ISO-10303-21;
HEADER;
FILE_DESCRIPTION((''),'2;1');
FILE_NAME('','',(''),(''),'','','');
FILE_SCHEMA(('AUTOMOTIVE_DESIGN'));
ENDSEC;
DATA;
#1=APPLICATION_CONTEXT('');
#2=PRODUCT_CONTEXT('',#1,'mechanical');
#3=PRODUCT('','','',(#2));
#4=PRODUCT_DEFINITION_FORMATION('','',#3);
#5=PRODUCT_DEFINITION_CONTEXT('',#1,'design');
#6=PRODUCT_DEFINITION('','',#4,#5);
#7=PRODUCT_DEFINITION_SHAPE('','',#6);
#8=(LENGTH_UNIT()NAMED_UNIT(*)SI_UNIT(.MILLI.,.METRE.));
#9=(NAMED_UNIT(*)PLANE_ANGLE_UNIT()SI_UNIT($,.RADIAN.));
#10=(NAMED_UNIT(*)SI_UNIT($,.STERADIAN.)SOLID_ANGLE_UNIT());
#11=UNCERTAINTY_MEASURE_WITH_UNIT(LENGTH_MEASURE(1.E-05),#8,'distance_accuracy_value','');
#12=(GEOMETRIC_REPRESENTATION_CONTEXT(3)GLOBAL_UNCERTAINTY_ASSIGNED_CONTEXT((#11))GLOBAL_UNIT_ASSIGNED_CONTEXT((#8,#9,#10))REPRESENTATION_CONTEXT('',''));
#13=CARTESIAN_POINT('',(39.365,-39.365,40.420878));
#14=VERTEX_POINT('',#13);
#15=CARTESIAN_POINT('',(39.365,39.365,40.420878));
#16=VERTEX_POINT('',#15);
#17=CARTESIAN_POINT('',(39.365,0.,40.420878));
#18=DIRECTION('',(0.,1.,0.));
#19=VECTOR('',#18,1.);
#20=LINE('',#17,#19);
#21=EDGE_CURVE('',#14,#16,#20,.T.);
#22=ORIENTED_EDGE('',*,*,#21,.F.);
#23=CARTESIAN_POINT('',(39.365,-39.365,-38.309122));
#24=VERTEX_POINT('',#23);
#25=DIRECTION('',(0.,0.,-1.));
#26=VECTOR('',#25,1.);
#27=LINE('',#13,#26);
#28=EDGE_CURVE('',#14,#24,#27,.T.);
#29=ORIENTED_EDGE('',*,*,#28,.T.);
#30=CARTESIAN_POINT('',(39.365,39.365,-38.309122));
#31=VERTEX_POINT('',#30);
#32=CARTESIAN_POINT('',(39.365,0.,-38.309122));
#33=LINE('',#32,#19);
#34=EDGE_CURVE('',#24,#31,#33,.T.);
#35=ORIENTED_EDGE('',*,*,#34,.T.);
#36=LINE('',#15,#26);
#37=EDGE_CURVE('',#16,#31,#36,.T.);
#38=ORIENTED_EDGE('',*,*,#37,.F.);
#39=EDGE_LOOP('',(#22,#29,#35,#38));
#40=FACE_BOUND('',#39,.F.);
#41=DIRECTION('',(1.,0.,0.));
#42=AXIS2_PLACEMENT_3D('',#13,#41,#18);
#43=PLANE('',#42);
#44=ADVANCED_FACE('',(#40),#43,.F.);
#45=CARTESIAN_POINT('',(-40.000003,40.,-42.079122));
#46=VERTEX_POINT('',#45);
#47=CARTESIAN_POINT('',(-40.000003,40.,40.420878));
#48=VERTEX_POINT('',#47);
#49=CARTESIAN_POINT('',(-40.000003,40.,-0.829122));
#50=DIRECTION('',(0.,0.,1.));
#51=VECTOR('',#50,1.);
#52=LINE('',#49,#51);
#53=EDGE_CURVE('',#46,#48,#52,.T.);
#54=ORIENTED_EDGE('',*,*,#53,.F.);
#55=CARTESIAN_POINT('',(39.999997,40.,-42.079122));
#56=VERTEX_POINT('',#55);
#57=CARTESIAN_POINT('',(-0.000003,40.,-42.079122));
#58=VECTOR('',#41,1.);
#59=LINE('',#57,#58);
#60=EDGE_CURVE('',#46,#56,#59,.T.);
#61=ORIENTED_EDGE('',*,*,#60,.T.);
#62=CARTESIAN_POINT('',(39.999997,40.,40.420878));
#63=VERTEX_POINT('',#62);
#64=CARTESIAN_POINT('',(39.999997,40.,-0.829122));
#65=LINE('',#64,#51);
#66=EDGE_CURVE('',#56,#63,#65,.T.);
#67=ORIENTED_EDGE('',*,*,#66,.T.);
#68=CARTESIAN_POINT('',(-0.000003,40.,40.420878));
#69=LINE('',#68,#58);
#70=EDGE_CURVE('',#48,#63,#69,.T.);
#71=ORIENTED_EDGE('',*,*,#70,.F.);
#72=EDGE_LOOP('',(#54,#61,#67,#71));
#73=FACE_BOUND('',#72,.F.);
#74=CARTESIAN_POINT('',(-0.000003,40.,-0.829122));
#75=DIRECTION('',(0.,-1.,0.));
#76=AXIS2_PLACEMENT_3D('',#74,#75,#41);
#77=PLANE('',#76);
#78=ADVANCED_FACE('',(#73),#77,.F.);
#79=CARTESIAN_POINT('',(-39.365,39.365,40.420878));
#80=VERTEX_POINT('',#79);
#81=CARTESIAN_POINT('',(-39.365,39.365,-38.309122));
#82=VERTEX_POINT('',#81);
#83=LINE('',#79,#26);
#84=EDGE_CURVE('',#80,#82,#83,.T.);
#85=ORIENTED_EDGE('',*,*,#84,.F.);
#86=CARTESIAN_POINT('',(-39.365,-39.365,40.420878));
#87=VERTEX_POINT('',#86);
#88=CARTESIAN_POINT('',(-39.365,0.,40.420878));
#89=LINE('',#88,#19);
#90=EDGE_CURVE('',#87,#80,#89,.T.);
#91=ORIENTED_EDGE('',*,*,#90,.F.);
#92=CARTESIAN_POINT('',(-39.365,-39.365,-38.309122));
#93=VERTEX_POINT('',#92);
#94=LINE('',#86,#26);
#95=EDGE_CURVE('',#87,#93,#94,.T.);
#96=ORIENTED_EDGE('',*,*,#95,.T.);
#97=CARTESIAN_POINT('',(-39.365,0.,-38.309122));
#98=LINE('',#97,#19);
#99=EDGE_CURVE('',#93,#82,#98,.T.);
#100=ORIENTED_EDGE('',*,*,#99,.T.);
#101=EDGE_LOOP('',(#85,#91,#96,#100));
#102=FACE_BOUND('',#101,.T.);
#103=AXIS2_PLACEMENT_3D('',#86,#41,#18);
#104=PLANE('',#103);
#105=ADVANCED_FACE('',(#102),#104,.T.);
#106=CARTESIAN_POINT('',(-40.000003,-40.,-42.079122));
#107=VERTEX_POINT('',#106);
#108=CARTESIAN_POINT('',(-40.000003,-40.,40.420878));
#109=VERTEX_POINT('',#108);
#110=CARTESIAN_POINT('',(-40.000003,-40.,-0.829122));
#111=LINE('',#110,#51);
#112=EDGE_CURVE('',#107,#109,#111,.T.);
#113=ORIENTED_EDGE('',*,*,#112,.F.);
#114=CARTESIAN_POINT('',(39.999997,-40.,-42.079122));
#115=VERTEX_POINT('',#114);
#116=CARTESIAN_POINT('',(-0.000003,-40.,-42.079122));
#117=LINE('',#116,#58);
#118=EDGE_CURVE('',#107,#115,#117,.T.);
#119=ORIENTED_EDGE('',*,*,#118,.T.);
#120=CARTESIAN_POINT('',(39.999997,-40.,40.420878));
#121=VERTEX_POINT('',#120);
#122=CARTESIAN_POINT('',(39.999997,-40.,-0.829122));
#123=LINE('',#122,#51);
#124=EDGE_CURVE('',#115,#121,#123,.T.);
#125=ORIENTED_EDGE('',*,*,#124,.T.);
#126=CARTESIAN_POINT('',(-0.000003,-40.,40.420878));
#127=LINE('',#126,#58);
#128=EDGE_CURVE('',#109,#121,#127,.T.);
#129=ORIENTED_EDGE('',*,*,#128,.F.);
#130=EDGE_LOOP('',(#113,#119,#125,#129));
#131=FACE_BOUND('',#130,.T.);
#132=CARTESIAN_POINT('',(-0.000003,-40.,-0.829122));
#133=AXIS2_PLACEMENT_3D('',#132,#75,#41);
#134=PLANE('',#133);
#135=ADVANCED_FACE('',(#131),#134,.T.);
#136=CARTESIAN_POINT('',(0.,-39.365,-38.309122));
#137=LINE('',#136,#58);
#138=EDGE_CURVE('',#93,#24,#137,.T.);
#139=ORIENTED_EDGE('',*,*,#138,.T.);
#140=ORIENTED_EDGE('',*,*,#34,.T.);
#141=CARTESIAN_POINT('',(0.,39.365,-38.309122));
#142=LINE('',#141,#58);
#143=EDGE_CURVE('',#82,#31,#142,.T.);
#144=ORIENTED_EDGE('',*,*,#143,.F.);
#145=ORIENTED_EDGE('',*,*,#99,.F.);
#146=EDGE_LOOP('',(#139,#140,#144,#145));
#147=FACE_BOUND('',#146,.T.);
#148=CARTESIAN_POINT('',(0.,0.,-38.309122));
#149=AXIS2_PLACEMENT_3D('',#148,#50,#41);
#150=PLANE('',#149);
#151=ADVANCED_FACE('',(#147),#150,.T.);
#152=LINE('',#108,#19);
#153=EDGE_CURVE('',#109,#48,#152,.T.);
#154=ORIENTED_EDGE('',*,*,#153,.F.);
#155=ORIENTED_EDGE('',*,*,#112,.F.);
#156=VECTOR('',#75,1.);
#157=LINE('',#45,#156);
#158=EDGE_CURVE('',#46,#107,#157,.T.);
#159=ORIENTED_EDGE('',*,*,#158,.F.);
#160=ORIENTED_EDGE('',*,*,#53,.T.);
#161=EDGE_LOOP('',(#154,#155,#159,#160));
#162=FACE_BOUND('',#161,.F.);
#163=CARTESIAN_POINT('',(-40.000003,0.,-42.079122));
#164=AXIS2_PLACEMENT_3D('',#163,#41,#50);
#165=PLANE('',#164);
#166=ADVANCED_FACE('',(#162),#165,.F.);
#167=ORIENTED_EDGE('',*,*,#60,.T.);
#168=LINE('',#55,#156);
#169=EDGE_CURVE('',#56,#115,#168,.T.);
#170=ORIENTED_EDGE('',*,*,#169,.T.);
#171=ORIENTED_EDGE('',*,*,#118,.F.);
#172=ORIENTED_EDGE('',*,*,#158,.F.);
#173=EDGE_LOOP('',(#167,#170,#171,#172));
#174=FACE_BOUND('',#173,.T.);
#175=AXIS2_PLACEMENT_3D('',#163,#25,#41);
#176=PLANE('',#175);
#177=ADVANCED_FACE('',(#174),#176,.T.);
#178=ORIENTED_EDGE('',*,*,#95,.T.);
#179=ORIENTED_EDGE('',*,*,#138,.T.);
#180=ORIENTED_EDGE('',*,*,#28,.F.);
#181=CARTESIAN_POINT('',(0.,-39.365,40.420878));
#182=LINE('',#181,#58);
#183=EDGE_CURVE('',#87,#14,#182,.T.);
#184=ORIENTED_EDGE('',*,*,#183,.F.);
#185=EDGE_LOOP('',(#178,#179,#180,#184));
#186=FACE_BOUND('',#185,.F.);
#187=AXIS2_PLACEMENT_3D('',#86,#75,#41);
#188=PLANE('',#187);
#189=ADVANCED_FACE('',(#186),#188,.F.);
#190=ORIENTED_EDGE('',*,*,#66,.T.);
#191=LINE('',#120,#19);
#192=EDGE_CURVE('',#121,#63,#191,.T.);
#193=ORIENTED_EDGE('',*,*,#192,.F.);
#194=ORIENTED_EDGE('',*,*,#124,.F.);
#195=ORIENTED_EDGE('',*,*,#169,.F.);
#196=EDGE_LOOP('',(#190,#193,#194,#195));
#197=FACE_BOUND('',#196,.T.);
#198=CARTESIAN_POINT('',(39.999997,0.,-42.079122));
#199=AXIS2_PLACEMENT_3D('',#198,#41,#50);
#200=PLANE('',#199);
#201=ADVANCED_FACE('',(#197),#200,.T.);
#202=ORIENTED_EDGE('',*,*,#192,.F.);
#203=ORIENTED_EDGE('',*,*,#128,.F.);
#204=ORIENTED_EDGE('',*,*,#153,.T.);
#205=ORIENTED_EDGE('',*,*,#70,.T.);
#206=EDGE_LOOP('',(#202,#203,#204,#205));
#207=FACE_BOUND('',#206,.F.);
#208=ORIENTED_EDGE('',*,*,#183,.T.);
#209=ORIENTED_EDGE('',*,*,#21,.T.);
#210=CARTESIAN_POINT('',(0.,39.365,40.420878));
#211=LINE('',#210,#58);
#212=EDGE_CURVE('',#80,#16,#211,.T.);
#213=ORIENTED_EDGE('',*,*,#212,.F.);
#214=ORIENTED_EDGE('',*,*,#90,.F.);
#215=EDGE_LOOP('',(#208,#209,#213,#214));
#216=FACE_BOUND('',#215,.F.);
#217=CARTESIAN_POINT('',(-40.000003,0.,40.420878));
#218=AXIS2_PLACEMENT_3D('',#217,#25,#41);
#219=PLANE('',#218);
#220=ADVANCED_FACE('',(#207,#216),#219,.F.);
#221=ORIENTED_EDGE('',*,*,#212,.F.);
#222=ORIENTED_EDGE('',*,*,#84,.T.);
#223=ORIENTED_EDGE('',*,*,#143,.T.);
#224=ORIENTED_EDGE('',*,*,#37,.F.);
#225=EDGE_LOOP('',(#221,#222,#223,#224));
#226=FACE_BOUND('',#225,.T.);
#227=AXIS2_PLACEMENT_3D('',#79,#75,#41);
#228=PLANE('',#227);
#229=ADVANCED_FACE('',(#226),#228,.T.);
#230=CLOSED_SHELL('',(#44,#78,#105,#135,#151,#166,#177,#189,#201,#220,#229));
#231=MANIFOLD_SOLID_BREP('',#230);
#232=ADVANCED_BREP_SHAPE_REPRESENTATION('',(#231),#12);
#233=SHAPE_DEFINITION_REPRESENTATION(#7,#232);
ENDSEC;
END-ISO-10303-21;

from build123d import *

# Parameters (mm, degrees)
F0_W     = 80
F0_H     = 82.5
F1_DEPTH = 40
F2_W     = 78.73
F2_H     = 78.73
F3_DEPTH = 78.73


with BuildPart() as f1:
    # F0 (on Front) → F1 (new body, symmetric)
    with BuildSketch(Plane.XZ):
        with Locations((-3e-06, -0.829122)):
            Rectangle(F0_W, F0_H)
    extrude(amount=F1_DEPTH, both=True)

    # F2 (on face) → F3 (cut)
    with BuildSketch(Plane.XY.offset(40.420878)):
        Rectangle(F2_W, F2_H)
    extrude(amount=-F3_DEPTH, mode=Mode.SUBTRACT)


solid = f1.part
